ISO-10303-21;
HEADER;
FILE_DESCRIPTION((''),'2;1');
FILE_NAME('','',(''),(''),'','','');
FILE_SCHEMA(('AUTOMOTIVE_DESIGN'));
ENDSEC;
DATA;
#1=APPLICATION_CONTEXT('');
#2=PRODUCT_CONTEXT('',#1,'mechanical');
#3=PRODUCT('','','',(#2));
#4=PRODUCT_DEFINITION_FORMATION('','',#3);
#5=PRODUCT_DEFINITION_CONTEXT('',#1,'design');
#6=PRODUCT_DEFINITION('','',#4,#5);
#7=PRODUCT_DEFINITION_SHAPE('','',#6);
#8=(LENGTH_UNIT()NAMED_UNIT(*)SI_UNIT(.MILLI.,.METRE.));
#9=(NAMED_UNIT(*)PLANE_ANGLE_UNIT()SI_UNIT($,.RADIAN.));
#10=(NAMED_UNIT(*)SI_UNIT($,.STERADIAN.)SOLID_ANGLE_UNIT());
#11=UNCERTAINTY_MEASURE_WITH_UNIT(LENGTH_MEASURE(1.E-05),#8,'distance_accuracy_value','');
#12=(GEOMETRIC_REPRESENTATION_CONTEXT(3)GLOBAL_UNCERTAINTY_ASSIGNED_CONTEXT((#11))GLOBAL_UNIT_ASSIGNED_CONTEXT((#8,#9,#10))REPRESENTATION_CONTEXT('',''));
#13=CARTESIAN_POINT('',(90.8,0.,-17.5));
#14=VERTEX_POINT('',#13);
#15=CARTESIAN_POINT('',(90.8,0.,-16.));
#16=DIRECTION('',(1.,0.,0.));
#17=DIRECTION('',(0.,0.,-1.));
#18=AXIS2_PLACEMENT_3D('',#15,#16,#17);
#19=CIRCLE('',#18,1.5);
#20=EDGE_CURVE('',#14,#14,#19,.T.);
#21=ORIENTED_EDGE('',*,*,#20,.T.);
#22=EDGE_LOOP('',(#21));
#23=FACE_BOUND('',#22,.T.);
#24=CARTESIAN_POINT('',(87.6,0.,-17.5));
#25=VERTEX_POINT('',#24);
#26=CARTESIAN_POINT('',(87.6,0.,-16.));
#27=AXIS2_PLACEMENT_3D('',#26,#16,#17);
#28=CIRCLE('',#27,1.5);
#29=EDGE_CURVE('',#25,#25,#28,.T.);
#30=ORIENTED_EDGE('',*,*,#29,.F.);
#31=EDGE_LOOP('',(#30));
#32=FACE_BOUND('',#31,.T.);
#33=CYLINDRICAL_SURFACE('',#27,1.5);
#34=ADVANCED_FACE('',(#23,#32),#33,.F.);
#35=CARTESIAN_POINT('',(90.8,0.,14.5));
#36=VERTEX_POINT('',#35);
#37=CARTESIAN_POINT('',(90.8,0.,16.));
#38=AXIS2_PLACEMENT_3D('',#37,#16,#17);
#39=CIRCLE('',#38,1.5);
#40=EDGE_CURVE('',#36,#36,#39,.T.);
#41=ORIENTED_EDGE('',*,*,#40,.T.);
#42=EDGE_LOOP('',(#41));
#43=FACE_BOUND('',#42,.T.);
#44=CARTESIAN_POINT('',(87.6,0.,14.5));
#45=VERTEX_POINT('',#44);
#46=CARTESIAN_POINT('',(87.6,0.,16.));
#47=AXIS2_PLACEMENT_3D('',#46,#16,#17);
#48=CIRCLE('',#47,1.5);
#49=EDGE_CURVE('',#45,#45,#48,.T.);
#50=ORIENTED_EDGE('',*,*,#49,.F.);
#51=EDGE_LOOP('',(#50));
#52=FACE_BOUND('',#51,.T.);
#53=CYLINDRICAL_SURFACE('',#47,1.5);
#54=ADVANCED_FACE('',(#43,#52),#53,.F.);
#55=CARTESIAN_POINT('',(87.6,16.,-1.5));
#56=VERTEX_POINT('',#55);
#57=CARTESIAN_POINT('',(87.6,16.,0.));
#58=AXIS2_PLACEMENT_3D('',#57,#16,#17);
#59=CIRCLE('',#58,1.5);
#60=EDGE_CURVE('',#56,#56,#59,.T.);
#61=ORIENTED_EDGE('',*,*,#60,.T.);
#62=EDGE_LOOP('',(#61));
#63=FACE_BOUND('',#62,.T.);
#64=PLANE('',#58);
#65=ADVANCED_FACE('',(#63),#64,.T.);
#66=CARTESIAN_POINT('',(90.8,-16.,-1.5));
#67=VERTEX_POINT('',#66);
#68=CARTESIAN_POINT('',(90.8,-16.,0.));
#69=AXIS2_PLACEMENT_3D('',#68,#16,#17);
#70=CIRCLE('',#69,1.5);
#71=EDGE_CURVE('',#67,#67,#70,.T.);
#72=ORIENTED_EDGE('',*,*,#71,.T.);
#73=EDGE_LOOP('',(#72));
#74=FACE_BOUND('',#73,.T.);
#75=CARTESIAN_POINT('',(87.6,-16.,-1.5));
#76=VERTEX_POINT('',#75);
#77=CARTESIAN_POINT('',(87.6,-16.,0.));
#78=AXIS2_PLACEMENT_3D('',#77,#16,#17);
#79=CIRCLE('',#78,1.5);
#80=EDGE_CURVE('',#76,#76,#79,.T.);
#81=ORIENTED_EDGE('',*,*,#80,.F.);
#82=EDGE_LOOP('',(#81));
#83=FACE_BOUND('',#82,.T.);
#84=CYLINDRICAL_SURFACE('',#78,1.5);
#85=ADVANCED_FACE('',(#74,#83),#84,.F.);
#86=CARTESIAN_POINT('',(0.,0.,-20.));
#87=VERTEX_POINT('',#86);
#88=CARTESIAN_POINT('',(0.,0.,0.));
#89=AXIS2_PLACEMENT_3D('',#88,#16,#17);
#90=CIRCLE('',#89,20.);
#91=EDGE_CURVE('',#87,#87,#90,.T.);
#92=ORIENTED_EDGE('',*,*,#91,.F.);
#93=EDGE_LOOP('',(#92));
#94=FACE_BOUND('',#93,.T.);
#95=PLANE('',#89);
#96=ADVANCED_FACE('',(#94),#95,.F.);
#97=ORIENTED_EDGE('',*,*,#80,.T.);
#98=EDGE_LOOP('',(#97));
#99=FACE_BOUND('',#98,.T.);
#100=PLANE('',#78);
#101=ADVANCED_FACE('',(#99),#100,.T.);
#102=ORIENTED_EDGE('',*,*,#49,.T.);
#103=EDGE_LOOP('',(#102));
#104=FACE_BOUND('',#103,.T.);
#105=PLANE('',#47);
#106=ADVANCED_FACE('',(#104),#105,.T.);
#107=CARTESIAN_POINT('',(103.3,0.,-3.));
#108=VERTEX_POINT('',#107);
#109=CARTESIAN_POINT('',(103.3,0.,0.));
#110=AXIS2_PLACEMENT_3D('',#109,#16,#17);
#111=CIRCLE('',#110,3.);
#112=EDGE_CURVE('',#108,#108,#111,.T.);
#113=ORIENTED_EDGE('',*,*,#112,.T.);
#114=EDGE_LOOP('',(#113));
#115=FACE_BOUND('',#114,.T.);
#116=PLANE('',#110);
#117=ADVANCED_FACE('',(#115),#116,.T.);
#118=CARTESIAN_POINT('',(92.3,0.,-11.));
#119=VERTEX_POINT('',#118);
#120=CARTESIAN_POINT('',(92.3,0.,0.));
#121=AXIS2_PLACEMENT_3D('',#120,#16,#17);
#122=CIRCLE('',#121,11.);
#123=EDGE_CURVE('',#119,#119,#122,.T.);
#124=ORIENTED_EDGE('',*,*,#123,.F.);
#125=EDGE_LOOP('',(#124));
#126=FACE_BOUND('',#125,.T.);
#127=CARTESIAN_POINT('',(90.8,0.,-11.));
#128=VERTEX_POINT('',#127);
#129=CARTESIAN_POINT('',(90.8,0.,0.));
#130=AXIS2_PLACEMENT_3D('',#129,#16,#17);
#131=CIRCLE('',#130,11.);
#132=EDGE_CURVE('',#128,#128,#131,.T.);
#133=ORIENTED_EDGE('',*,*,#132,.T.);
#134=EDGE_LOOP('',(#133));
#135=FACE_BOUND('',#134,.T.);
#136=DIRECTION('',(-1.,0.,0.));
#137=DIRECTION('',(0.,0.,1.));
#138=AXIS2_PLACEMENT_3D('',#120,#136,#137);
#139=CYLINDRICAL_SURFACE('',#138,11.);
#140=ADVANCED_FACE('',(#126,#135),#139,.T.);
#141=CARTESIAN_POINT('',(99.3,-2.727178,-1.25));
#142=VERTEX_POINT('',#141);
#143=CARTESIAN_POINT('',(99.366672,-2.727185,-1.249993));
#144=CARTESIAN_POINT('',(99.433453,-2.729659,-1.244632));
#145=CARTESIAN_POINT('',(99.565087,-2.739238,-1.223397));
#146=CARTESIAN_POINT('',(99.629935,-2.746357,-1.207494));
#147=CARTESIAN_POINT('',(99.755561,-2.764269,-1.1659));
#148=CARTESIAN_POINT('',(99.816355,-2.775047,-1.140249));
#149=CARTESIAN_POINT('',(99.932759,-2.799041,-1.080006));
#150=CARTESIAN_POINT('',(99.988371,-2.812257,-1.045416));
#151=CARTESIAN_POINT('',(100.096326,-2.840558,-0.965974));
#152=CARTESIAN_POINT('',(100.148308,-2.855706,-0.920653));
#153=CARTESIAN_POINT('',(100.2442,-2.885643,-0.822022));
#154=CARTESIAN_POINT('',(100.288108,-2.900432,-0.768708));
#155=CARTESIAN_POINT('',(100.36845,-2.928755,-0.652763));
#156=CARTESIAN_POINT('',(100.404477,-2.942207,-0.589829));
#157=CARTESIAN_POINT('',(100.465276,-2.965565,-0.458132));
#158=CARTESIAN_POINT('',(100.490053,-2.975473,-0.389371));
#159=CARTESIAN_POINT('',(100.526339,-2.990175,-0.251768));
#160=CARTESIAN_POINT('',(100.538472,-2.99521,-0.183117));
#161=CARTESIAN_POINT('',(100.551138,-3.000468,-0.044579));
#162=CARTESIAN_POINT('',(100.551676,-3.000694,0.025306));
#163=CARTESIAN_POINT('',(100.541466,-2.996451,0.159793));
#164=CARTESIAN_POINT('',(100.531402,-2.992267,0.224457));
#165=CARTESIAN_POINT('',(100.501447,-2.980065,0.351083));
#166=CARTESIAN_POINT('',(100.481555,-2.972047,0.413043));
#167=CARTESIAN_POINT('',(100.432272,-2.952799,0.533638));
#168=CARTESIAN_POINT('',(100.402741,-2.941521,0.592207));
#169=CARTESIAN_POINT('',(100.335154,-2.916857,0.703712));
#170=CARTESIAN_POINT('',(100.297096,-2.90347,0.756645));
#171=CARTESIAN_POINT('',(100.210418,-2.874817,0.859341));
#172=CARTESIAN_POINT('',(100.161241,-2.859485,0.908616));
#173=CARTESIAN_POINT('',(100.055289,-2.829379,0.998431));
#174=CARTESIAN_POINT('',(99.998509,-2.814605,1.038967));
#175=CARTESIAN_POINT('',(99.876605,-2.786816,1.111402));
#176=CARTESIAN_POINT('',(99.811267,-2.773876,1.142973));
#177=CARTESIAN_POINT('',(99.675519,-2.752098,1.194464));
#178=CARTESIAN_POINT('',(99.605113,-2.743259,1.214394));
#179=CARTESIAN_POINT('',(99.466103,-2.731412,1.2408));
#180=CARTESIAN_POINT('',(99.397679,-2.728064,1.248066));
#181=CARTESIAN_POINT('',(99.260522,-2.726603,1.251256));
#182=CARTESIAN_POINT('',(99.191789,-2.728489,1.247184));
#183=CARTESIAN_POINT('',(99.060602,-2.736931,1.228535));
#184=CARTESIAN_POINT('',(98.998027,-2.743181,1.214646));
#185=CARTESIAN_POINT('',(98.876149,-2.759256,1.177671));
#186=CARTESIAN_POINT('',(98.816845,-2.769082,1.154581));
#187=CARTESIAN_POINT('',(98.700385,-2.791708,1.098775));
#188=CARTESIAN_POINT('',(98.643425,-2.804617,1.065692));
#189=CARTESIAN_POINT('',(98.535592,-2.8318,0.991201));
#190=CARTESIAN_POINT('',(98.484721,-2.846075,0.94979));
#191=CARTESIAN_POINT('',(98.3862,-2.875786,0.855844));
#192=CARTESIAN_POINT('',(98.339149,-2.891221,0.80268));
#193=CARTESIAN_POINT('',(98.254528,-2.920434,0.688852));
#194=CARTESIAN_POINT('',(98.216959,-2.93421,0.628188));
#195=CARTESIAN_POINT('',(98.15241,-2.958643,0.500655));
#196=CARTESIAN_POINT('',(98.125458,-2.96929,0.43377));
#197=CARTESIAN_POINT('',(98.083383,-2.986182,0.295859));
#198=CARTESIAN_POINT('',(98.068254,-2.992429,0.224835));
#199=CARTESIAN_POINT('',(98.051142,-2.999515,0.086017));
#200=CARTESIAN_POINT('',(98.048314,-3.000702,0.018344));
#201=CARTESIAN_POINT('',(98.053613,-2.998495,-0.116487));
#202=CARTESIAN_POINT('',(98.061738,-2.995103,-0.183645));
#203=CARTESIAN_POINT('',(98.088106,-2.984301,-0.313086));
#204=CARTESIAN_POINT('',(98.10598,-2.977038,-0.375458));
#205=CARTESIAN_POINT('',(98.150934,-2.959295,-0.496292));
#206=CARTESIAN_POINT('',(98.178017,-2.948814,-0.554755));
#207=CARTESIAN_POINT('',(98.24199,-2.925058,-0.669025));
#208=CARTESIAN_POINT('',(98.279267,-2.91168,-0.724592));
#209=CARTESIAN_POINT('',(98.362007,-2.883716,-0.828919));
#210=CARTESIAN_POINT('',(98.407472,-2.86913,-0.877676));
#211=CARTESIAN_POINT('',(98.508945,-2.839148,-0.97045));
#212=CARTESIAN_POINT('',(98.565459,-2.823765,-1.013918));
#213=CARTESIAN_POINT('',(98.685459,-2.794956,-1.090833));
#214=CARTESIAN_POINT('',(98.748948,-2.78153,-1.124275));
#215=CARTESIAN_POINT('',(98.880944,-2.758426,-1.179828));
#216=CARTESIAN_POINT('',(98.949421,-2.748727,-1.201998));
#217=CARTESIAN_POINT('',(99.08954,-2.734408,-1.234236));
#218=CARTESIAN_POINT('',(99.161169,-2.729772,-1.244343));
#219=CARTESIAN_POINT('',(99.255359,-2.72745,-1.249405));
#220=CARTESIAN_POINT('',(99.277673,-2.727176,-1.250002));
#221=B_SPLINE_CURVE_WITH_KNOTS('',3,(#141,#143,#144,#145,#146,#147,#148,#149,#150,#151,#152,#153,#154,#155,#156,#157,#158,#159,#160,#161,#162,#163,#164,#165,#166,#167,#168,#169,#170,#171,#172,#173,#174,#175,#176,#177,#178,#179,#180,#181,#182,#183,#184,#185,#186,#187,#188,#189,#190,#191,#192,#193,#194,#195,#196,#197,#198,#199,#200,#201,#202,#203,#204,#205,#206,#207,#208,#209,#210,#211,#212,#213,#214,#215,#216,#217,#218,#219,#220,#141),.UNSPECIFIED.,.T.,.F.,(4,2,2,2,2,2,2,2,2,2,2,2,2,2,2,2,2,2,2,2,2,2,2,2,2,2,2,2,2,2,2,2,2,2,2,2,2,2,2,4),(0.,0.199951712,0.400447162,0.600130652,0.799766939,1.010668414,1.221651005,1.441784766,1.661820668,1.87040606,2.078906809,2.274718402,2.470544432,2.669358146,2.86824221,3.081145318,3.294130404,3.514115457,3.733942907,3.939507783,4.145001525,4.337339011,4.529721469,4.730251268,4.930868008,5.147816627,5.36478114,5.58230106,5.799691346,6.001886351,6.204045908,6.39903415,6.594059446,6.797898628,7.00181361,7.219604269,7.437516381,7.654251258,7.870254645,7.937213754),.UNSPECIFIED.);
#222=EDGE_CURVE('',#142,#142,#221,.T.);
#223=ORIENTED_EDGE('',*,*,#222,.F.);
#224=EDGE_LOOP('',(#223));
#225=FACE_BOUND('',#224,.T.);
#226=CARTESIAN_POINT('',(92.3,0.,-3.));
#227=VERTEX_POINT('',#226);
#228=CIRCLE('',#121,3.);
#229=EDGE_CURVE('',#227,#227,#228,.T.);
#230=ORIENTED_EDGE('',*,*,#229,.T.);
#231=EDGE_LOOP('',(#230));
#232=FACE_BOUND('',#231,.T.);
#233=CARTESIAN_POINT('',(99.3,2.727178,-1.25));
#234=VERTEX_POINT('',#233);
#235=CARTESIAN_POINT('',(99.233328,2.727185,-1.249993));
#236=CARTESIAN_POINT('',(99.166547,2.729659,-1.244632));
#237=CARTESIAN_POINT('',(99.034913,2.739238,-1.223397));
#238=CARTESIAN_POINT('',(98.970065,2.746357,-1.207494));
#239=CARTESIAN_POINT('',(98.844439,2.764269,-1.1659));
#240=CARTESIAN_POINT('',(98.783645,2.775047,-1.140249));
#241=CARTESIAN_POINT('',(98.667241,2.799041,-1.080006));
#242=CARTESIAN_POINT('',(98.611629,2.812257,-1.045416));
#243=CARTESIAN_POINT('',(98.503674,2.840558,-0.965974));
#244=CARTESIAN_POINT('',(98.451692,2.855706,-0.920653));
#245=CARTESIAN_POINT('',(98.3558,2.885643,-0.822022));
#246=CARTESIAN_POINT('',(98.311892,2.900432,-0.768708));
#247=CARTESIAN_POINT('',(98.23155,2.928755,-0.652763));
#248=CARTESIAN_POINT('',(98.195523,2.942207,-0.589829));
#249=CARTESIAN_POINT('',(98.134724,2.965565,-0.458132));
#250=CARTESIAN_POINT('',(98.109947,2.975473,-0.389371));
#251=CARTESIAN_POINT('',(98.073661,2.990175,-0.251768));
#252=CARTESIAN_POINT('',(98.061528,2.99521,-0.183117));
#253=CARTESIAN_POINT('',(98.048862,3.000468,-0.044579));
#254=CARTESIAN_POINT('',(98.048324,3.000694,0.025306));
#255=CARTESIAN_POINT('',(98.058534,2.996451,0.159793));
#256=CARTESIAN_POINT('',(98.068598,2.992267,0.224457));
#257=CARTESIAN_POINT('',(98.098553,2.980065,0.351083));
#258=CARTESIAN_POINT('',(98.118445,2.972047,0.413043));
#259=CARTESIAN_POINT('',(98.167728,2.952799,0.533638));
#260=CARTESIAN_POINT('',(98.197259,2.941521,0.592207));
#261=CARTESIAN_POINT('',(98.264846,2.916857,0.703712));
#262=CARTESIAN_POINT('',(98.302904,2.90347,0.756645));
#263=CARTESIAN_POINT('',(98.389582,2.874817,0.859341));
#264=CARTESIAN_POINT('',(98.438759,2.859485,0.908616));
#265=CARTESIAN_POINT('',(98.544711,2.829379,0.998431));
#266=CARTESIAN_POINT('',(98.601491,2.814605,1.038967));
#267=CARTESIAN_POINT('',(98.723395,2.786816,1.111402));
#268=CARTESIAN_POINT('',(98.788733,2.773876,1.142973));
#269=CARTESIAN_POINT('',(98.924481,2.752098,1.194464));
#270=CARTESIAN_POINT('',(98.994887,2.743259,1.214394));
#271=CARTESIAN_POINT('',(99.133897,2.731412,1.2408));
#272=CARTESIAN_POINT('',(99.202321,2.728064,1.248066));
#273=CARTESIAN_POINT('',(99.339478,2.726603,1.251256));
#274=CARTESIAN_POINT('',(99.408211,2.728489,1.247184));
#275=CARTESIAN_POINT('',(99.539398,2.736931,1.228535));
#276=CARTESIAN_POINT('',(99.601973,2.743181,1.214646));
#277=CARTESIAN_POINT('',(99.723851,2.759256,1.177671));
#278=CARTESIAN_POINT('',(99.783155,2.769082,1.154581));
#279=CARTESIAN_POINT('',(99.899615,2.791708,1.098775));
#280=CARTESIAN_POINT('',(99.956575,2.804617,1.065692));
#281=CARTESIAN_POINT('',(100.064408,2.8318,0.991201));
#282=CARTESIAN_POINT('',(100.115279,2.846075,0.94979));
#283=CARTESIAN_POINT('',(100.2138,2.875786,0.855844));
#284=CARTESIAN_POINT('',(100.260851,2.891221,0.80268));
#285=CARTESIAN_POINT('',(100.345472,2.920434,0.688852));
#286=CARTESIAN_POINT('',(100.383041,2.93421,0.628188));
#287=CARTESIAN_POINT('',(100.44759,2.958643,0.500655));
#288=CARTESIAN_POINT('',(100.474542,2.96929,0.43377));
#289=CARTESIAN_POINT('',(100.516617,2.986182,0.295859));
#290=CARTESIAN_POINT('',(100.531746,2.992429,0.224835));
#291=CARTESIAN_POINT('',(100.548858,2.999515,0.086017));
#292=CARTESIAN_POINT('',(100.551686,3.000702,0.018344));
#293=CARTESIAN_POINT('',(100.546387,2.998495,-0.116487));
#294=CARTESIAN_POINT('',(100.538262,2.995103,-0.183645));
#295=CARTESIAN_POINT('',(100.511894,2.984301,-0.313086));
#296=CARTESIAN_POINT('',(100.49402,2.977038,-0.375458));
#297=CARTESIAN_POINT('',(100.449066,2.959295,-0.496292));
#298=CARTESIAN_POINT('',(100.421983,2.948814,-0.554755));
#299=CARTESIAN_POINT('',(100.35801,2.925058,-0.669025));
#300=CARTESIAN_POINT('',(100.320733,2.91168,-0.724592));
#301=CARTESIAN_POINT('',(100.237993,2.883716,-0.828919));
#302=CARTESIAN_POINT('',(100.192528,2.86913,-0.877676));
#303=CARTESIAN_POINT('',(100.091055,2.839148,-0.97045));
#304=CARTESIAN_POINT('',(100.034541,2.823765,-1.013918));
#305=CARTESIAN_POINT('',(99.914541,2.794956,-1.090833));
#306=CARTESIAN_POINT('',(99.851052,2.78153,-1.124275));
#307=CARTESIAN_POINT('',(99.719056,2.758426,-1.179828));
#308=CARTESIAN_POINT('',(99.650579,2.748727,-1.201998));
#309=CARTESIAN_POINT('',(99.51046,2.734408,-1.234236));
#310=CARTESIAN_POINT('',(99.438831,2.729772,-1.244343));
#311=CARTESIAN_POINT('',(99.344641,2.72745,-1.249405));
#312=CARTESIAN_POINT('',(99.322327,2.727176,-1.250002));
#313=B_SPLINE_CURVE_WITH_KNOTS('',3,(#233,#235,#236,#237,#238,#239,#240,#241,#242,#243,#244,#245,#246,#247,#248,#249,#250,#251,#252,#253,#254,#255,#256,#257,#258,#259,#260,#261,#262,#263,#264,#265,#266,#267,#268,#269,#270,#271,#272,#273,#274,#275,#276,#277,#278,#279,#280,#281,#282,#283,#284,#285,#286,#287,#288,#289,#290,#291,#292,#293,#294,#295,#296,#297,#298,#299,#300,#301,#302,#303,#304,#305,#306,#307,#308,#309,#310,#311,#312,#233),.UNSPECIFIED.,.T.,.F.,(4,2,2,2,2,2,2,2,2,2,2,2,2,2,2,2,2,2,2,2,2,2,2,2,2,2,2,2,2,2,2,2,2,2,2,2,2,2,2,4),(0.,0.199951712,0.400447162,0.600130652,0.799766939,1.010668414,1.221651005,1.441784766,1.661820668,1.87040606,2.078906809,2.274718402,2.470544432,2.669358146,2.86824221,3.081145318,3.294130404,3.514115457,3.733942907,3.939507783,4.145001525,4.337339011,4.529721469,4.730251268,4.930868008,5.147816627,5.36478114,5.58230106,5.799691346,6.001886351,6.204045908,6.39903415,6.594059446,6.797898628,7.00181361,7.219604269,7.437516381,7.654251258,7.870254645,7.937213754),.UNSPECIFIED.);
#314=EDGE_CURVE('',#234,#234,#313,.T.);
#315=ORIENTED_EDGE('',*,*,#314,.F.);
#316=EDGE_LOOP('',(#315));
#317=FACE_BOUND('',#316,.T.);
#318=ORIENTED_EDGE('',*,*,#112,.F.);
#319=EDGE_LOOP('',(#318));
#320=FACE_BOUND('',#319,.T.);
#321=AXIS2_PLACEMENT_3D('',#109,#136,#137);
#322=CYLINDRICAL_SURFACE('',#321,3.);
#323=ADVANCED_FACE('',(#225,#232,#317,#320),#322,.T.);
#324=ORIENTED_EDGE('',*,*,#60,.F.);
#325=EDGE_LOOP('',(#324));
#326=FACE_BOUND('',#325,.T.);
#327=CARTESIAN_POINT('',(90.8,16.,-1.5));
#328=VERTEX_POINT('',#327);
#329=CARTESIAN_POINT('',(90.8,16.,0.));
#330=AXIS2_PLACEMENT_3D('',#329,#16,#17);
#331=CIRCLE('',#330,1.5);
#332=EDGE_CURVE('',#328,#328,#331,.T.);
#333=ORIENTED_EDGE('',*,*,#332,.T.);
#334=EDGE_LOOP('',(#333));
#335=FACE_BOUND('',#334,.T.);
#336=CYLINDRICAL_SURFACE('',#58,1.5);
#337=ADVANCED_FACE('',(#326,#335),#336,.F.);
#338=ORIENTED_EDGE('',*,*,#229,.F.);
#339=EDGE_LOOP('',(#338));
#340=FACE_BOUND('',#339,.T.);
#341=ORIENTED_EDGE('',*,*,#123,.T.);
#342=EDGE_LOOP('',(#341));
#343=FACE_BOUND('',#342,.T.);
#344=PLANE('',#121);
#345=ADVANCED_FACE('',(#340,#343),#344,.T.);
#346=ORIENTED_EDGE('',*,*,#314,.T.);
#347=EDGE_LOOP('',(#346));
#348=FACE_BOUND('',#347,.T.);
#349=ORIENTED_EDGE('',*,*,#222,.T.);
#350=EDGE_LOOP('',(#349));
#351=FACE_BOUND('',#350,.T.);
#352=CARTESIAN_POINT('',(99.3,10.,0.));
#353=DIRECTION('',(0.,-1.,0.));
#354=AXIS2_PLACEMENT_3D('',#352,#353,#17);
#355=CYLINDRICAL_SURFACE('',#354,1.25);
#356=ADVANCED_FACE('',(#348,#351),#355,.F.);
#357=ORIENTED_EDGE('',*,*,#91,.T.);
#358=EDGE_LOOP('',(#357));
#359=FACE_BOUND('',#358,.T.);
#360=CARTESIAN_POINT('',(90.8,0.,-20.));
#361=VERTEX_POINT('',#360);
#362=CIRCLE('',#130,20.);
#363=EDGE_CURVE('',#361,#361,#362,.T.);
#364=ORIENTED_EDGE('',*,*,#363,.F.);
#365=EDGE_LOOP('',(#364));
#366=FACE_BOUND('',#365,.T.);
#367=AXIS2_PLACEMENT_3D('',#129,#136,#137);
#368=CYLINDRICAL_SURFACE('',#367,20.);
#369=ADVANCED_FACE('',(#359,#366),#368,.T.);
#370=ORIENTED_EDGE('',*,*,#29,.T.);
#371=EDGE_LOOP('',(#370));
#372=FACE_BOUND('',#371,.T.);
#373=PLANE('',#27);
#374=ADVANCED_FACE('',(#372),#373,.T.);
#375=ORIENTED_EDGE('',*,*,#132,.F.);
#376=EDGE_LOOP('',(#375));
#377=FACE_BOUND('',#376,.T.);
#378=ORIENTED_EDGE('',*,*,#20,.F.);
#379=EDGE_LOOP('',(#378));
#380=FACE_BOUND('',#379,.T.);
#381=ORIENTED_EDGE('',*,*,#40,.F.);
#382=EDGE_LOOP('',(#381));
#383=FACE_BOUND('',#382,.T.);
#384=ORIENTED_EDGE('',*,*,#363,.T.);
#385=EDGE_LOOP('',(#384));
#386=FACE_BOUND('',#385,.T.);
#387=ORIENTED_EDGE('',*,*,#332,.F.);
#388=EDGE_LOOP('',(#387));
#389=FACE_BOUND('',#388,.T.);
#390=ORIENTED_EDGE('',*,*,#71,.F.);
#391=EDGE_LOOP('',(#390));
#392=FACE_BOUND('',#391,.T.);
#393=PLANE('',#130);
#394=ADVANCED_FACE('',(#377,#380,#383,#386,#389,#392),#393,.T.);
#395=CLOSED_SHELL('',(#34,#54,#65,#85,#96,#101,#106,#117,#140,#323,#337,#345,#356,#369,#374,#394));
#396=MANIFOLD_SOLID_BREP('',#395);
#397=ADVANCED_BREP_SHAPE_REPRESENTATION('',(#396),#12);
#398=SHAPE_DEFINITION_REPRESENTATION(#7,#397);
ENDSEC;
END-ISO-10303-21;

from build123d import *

# Parameters (mm, degrees)
SKETCH1_R               = 20
BOSS_EXTRUDE1_DEPTH     = 90.8
SKETCH2_R               = 11
BOSS_EXTRUDE2_DEPTH     = 1.5
SKETCH3_R               = 1.5
CUT_EXTRUDE1_DEPTH      = 3.2
SKETCH4_R               = 6.5
CUT_EXTRUDE2_DEPTH      = 5
SKETCH5_R               = 3
BOSS_EXTRUDE3_DEPTH     = 16
CUT_EXTRUDE3_DEPTH      = 10
CUT_EXTRUDE3_DEPTH_BACK = 10
SKETCH6_R               = 1.25
BOSS_EXTRUDE4_START     = 5
SKETCH7_R               = 6.5
BOSS_EXTRUDE4_DEPTH     = 5


with BuildPart() as part:
    # Sketch1 → Boss-Extrude1 (new body)
    with BuildSketch(Plane(origin=(0, 0, 0), x_dir=(0, 0, -1), z_dir=(1, 0, 0))):
        Circle(SKETCH1_R)
    extrude(amount=BOSS_EXTRUDE1_DEPTH)

    # Sketch2 → Boss-Extrude2 (add)
    with BuildSketch(Plane(origin=(90.8, 0, 0), x_dir=(0, 0, -1), z_dir=(1, 0, 0))):
        Circle(SKETCH2_R)
    extrude(amount=BOSS_EXTRUDE2_DEPTH)

    # Sketch3 → Cut-Extrude1 (cut)
    with BuildSketch(Plane(origin=(90.8, 0, 0), x_dir=(0, 0, -1), z_dir=(1, 0, 0))):
        with Locations((0, 16)):
            Circle(SKETCH3_R)
        with Locations((16, 0)):
            Circle(SKETCH3_R)
        with Locations((0, -16)):
            Circle(SKETCH3_R)
        with Locations((-16, 0)):
            Circle(SKETCH3_R)
    extrude(amount=-CUT_EXTRUDE1_DEPTH, mode=Mode.SUBTRACT)

    # Sketch4 → Cut-Extrude2 (cut)
    with BuildSketch(Plane(origin=(92.3, 0, 0), x_dir=(0, 0, -1), z_dir=(1, 0, 0))):
        Circle(SKETCH4_R)
    extrude(amount=-CUT_EXTRUDE2_DEPTH, mode=Mode.SUBTRACT)

    # Sketch5 → Boss-Extrude3 (add)
    with BuildSketch(Plane(origin=(87.3, 0, 0), x_dir=(0, 0, -1), z_dir=(1, 0, 0))):
        Circle(SKETCH5_R)
    extrude(amount=BOSS_EXTRUDE3_DEPTH)

    # Sketch6 → Cut-Extrude3 (cut, two sides: drawn at the far end of the back side and taken through both)
    with BuildSketch(Plane(origin=(0, 0, 0), x_dir=(1, 0, 0), z_dir=(0, 1, 0)).offset(-CUT_EXTRUDE3_DEPTH_BACK)):
        with Locations(Location((99.3, 0, 0), (0, 0, 90))):
            Circle(SKETCH6_R)
    extrude(amount=CUT_EXTRUDE3_DEPTH + CUT_EXTRUDE3_DEPTH_BACK, mode=Mode.SUBTRACT)

    # Sketch7 → Boss-Extrude4 (add)
    with BuildSketch(Plane(origin=(87.3, 0, 0), x_dir=(0, 0, -1), z_dir=(1, 0, 0)).offset(BOSS_EXTRUDE4_START)):
        Circle(SKETCH7_R)
    extrude(amount=-BOSS_EXTRUDE4_DEPTH)


solid = part.part
